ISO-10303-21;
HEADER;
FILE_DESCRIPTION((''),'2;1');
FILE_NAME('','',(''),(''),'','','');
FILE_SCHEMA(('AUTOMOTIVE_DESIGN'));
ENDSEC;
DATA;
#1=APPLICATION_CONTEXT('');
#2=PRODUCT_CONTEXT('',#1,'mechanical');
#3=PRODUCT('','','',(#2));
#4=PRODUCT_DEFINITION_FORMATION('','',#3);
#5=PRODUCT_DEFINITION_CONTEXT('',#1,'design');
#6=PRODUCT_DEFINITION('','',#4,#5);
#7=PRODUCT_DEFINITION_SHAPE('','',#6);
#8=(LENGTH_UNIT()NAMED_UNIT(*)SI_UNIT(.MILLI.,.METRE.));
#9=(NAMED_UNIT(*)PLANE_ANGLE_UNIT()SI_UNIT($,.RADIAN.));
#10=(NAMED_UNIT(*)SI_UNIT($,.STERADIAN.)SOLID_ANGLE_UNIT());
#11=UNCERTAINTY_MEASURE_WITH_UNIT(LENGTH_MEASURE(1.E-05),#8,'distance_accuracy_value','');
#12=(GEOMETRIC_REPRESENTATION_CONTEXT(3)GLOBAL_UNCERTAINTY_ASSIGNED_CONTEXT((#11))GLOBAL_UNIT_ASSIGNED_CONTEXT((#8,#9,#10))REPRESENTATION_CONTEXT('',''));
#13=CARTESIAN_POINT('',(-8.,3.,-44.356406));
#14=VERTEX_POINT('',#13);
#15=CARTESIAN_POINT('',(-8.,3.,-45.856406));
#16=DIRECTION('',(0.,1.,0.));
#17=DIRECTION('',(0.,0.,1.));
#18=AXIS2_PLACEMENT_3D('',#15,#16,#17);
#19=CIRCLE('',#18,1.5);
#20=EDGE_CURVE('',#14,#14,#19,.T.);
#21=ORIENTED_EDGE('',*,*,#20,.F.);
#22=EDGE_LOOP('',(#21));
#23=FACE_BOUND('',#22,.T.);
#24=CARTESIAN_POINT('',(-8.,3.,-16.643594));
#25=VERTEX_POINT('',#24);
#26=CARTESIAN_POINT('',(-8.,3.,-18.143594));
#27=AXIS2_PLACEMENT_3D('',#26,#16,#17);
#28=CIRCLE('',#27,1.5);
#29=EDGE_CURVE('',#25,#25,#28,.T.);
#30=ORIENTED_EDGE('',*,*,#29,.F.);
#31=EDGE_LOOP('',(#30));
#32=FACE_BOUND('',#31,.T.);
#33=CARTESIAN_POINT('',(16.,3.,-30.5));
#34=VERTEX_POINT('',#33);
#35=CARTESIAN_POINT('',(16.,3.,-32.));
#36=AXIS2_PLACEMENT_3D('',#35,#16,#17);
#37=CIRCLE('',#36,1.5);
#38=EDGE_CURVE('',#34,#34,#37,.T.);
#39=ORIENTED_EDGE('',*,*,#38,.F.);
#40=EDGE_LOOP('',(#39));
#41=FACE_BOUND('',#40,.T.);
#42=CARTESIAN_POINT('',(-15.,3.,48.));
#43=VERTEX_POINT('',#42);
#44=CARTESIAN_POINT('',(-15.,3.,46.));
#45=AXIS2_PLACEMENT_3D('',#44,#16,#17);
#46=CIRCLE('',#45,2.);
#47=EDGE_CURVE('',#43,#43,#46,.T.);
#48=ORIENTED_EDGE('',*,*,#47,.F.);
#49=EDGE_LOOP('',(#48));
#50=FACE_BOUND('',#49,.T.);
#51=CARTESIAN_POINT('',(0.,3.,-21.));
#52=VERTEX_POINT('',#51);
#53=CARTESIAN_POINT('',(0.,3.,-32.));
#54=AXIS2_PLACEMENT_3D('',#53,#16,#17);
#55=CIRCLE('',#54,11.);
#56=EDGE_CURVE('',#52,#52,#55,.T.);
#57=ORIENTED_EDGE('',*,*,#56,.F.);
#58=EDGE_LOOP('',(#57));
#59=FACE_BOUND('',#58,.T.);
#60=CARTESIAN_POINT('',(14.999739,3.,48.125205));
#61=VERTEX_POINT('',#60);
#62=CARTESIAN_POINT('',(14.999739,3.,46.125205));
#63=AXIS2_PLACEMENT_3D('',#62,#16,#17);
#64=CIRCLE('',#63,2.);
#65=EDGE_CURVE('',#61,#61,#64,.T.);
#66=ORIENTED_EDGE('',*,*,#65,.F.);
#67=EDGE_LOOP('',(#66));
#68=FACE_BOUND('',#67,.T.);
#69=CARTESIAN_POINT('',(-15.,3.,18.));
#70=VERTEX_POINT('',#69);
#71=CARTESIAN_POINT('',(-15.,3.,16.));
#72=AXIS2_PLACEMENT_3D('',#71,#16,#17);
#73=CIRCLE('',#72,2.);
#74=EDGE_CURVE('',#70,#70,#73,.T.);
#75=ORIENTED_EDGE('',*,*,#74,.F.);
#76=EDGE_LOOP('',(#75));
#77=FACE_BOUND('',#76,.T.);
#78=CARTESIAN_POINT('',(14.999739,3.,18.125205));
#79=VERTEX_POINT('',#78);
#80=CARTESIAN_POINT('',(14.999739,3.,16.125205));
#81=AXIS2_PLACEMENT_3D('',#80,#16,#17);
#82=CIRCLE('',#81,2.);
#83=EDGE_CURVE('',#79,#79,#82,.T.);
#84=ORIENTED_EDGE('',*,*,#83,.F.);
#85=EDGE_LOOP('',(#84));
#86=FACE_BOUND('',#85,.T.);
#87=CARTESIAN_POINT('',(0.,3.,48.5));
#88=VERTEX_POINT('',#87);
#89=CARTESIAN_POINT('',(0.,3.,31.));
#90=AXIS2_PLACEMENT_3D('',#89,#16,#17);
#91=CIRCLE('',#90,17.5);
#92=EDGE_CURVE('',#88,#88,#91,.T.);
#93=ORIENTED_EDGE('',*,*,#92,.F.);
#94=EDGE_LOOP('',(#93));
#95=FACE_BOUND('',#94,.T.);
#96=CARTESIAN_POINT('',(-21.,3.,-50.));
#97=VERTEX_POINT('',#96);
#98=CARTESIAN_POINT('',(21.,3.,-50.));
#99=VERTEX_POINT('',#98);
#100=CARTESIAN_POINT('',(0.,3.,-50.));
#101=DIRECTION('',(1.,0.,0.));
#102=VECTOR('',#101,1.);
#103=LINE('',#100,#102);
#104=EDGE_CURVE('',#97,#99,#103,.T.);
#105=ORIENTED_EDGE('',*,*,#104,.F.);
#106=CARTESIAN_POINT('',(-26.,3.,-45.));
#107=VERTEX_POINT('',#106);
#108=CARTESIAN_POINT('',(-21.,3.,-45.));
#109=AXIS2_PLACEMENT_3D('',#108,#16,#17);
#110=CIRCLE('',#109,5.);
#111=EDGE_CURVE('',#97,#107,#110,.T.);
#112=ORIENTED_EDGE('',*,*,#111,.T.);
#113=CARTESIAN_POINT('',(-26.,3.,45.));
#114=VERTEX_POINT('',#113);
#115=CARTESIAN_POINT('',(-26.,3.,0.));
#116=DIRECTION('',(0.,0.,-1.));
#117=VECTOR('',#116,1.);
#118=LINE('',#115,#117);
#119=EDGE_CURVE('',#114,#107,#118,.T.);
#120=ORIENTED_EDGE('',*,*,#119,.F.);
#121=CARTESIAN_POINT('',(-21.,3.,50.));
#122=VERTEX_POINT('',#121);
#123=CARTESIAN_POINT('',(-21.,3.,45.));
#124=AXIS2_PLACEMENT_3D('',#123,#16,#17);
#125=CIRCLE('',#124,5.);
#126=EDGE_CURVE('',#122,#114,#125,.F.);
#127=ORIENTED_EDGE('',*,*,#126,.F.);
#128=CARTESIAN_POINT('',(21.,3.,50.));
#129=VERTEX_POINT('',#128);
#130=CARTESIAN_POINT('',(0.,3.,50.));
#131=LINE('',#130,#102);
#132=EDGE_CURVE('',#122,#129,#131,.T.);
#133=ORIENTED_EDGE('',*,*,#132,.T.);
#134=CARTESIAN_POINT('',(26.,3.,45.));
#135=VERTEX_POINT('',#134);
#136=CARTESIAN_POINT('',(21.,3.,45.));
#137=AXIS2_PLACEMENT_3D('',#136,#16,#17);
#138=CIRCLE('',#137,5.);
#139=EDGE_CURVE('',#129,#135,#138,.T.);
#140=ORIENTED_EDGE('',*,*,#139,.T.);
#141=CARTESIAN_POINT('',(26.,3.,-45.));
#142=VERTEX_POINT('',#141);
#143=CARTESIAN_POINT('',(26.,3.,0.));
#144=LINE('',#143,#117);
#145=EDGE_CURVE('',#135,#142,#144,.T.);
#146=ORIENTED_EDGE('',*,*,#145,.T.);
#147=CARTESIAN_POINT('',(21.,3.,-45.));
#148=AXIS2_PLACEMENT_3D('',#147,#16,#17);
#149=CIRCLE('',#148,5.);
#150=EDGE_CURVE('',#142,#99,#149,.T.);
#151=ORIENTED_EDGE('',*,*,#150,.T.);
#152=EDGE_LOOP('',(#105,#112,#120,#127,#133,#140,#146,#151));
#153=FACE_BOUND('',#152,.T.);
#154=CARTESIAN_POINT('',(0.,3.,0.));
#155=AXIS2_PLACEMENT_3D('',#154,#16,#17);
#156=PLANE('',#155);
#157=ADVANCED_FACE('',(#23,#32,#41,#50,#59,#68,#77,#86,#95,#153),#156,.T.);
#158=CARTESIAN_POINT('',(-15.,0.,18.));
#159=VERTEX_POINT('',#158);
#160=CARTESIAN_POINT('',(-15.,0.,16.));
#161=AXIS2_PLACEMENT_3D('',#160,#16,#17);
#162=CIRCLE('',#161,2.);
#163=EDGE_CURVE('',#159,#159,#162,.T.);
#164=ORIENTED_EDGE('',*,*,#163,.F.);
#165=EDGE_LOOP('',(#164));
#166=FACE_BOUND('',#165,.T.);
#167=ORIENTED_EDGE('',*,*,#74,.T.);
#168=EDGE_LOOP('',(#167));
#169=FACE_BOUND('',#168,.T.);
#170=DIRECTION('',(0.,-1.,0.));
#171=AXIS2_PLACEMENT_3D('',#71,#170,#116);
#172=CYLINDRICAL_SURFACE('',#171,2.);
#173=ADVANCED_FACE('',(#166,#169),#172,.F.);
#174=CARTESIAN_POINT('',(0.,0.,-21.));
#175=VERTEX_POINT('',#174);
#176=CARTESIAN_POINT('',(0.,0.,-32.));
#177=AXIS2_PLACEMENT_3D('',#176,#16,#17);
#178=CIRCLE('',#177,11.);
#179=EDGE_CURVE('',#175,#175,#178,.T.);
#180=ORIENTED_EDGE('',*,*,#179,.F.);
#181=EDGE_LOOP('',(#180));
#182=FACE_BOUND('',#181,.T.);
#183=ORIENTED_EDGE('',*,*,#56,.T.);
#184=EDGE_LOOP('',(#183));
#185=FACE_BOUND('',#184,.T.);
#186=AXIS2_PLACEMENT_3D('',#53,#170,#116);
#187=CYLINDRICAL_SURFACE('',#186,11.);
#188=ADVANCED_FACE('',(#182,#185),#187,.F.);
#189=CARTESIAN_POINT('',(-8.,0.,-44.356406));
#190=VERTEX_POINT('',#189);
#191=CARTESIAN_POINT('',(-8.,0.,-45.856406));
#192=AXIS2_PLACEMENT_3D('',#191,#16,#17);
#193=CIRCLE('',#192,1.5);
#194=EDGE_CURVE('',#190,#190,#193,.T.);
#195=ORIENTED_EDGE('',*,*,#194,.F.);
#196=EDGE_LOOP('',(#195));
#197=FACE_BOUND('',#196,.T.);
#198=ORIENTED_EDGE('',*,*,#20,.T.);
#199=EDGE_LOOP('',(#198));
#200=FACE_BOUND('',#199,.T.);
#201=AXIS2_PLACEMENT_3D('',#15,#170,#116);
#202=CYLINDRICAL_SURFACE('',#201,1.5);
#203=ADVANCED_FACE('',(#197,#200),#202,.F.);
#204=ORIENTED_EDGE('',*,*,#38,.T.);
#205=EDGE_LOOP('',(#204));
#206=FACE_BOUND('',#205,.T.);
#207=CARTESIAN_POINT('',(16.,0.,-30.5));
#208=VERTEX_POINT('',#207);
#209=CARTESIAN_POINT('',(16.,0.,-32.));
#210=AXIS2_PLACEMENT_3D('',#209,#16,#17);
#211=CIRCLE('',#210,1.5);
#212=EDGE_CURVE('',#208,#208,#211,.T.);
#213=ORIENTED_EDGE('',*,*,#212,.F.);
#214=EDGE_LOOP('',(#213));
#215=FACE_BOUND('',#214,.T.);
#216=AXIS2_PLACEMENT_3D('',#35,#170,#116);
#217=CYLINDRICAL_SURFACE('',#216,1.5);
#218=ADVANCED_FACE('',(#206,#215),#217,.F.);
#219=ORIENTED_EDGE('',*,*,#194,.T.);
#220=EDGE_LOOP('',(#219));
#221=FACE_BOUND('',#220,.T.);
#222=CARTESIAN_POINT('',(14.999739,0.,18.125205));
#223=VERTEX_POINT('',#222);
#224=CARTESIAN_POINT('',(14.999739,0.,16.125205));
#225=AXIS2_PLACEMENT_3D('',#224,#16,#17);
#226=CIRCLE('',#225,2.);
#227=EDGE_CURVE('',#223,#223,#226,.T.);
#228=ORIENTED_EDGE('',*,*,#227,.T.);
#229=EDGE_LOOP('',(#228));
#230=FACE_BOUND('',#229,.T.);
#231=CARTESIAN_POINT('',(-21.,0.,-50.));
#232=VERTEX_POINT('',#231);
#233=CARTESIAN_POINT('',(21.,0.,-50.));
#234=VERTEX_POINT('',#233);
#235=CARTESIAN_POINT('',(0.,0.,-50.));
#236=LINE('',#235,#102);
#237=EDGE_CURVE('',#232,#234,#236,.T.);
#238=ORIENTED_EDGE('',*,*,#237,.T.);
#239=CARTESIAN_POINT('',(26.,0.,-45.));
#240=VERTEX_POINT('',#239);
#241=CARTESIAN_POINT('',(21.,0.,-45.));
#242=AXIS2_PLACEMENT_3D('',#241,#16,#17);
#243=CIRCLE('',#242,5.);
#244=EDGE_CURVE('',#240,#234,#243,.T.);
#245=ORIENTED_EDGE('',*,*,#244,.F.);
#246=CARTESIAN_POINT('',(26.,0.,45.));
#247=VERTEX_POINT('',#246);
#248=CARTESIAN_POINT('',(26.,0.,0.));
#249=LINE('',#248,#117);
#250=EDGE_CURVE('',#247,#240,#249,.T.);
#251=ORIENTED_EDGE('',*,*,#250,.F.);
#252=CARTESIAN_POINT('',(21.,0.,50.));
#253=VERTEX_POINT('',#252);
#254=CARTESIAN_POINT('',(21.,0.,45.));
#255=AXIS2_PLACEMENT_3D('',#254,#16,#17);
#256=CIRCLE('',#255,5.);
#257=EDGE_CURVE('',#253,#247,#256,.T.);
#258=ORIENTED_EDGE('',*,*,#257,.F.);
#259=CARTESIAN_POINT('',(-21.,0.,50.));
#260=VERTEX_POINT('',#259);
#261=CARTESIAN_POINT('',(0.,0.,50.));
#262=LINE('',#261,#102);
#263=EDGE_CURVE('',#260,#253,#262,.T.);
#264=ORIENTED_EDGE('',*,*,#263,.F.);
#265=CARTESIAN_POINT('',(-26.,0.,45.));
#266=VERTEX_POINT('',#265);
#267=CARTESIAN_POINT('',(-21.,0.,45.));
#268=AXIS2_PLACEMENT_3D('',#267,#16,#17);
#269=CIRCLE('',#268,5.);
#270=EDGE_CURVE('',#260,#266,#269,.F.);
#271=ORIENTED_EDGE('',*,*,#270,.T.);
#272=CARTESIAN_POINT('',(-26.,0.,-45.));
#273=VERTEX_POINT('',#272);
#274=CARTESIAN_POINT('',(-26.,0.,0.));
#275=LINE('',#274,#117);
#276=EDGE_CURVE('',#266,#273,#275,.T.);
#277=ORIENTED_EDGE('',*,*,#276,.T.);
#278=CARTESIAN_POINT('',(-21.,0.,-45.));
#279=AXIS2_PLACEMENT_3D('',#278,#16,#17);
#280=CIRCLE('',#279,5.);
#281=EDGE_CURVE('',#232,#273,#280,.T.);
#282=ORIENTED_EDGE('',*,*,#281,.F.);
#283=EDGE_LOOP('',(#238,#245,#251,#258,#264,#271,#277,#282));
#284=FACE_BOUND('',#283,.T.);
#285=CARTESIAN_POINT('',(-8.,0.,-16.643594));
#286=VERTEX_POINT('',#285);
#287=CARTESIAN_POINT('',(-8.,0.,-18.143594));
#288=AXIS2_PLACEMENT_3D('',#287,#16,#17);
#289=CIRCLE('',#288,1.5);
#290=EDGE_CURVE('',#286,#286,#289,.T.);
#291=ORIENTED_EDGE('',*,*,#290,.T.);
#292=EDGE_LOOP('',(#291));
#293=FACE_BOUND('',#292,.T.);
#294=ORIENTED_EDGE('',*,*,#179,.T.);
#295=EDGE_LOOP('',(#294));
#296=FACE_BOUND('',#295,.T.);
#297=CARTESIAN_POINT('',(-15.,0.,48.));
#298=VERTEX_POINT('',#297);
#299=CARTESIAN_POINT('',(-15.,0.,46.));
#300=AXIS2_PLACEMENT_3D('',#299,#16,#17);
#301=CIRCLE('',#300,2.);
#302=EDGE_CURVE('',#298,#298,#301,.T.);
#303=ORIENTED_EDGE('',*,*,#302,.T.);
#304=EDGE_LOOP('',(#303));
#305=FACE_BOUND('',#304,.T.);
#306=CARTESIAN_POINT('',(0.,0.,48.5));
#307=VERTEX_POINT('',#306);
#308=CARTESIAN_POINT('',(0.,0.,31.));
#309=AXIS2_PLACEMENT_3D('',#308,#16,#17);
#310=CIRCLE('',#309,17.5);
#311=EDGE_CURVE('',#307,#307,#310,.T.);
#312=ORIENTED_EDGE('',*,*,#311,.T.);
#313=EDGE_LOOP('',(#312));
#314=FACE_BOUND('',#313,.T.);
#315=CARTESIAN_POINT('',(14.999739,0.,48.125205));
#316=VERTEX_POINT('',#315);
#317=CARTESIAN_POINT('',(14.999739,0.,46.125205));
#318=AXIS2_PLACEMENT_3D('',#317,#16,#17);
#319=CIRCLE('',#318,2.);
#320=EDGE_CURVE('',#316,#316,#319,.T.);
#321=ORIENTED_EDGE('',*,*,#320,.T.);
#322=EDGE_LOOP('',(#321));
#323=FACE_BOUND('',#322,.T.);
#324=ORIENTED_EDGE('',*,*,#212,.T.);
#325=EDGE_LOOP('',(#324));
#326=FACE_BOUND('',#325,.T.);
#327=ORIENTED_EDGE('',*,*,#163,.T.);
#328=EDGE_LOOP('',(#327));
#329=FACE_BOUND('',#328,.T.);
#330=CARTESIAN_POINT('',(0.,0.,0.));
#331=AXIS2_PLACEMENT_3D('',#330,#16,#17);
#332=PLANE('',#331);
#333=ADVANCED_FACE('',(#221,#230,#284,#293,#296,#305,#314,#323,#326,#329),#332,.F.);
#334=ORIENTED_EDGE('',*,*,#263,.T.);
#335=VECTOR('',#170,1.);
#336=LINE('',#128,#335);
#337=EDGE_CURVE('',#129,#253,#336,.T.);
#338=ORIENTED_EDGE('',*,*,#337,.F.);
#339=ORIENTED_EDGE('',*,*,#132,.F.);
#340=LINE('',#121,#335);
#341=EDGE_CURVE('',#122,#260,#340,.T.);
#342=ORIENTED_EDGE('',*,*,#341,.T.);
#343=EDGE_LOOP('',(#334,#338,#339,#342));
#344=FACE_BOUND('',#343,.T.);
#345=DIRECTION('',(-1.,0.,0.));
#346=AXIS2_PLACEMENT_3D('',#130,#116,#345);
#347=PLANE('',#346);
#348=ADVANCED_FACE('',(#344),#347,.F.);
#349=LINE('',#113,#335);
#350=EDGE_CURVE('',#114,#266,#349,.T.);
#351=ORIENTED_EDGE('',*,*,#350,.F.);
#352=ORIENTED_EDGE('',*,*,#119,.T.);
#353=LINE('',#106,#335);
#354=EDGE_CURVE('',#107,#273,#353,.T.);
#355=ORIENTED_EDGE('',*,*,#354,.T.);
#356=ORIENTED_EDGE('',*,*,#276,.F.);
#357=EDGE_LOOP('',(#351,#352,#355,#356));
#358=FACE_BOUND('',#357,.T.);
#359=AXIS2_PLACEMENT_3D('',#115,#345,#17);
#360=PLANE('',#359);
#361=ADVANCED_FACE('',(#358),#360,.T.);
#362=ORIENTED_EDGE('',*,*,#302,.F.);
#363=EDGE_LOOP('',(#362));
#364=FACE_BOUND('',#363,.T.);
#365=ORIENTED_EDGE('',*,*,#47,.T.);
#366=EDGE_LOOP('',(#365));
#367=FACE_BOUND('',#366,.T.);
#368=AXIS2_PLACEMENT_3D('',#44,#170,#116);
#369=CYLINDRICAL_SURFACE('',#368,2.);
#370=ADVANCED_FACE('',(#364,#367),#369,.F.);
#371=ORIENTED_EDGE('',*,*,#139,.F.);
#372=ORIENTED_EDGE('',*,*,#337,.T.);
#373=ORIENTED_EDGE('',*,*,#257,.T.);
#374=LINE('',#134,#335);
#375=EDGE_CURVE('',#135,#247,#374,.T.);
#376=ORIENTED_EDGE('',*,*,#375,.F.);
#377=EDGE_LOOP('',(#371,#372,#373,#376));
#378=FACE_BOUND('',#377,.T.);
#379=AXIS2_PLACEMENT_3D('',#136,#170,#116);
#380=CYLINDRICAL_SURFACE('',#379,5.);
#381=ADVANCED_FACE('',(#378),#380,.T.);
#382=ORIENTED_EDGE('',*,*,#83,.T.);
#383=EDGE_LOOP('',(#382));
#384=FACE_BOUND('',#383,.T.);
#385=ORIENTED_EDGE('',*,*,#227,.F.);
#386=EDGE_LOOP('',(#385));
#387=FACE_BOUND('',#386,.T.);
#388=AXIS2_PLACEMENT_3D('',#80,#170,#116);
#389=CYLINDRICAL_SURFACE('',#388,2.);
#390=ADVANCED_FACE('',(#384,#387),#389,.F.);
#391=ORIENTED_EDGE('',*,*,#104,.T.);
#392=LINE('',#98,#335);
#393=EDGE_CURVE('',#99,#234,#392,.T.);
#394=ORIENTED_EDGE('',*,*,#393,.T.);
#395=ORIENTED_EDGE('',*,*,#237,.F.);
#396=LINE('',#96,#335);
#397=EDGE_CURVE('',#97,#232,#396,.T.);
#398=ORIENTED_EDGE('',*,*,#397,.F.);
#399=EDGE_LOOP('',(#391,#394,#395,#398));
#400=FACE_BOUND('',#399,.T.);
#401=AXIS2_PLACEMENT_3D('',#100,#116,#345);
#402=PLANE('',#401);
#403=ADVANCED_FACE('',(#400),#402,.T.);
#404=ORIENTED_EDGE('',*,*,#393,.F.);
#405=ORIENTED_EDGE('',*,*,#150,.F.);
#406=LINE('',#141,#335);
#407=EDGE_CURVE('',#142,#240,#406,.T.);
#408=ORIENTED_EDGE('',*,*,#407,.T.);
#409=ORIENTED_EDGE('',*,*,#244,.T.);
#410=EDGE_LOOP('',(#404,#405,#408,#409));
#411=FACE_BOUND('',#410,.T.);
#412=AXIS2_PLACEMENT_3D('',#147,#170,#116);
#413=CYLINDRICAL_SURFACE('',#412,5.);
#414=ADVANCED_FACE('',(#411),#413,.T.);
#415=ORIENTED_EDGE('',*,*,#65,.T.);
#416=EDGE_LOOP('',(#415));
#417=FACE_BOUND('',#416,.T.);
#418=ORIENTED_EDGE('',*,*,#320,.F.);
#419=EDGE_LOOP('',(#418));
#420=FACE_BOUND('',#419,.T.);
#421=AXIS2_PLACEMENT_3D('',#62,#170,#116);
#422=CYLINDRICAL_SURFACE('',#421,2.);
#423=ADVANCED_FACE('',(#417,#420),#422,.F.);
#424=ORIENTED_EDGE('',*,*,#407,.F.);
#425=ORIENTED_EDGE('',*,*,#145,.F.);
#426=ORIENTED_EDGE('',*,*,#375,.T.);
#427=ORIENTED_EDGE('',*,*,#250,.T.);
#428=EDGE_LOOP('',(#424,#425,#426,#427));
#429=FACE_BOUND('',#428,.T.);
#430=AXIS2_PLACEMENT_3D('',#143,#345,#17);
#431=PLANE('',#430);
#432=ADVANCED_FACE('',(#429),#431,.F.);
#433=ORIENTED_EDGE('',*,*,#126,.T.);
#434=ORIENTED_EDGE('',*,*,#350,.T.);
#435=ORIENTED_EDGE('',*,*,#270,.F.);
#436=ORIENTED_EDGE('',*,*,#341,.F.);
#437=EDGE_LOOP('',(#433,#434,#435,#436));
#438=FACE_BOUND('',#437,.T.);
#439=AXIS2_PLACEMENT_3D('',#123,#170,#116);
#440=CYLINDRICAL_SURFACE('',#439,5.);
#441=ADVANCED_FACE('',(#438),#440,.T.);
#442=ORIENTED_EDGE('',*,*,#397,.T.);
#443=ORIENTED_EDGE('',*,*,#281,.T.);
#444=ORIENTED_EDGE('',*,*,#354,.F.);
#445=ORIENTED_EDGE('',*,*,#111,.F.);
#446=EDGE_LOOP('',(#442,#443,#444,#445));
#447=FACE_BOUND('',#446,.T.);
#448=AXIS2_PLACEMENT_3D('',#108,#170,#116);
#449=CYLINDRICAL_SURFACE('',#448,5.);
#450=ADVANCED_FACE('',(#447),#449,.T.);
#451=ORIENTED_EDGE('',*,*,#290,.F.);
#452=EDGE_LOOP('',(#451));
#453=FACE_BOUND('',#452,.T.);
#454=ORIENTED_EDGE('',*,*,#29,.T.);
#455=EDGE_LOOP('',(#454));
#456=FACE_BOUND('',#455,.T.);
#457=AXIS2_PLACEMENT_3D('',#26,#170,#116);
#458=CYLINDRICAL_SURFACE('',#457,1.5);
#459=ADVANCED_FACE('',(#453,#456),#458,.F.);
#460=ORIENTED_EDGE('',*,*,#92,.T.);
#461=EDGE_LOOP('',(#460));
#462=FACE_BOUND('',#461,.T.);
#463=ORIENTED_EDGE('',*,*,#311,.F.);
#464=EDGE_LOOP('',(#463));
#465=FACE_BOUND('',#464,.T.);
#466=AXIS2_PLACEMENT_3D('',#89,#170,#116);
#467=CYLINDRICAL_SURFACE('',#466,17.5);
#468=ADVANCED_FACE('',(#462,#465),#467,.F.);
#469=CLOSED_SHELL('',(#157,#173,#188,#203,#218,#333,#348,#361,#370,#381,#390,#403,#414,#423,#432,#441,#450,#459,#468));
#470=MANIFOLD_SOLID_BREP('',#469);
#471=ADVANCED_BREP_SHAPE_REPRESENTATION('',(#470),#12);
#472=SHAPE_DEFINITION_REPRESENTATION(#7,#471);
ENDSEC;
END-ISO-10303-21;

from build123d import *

# Parameters (mm, degrees)
SKETCH1_R           = 17.5
SKETCH1_R_2         = 2
SKETCH1_R_3         = 11
SKETCH1_R_4         = 1.5
BOSS_EXTRUDE1_DEPTH = 3


with BuildPart() as part:
    # Sketch1 → Boss-Extrude1 (new body)
    with BuildSketch(Plane(origin=(0, 0, 0), x_dir=(1, 0, 0), z_dir=(0, 1, 0))):
        with BuildLine():
            Line((-21, -50), (21, -50))
            ThreePointArc((21, -50), (24.535533906, -48.535533906), (26, -45))
            Line((26, -45), (26, 45))
            ThreePointArc((26, 45), (24.535533906, 48.535533906), (21, 50))
            Line((21, 50), (-21, 50))
            ThreePointArc((-21, 50), (-24.535533906, 48.535533906), (-26, 45))
            Line((-26, 45), (-26, -45))
            ThreePointArc((-26, -45), (-24.535533906, -48.535533906), (-21, -50))
        make_face()
        with Locations(Location((0, -31, 0), (0, 0, 270))):
            Circle(SKETCH1_R, mode=Mode.SUBTRACT)
        with Locations(Location((-15, -16, 0), (0, 0, 270))):
            Circle(SKETCH1_R_2, mode=Mode.SUBTRACT)
        with Locations(Location((14.999738727, -16.125204962, 0), (0, 0, 270))):
            Circle(SKETCH1_R_2, mode=Mode.SUBTRACT)
        with Locations(Location((14.999738727, -46.125204962, 0), (0, 0, 270))):
            Circle(SKETCH1_R_2, mode=Mode.SUBTRACT)
        with Locations(Location((-15, -46, 0), (0, 0, 270))):
            Circle(SKETCH1_R_2, mode=Mode.SUBTRACT)
        with Locations(Location((0, 32, 0), (0, 0, 270))):
            Circle(SKETCH1_R_3, mode=Mode.SUBTRACT)
        with Locations(Location((16, 32, 0), (0, 0, 270))):
            Circle(SKETCH1_R_4, mode=Mode.SUBTRACT)
        with Locations(Location((-8, 45.856406461, 0), (0, 0, 270))):
            Circle(SKETCH1_R_4, mode=Mode.SUBTRACT)
        with Locations(Location((-8, 18.143593539, 0), (0, 0, 270))):
            Circle(SKETCH1_R_4, mode=Mode.SUBTRACT)
    extrude(amount=BOSS_EXTRUDE1_DEPTH)


solid = part.part
